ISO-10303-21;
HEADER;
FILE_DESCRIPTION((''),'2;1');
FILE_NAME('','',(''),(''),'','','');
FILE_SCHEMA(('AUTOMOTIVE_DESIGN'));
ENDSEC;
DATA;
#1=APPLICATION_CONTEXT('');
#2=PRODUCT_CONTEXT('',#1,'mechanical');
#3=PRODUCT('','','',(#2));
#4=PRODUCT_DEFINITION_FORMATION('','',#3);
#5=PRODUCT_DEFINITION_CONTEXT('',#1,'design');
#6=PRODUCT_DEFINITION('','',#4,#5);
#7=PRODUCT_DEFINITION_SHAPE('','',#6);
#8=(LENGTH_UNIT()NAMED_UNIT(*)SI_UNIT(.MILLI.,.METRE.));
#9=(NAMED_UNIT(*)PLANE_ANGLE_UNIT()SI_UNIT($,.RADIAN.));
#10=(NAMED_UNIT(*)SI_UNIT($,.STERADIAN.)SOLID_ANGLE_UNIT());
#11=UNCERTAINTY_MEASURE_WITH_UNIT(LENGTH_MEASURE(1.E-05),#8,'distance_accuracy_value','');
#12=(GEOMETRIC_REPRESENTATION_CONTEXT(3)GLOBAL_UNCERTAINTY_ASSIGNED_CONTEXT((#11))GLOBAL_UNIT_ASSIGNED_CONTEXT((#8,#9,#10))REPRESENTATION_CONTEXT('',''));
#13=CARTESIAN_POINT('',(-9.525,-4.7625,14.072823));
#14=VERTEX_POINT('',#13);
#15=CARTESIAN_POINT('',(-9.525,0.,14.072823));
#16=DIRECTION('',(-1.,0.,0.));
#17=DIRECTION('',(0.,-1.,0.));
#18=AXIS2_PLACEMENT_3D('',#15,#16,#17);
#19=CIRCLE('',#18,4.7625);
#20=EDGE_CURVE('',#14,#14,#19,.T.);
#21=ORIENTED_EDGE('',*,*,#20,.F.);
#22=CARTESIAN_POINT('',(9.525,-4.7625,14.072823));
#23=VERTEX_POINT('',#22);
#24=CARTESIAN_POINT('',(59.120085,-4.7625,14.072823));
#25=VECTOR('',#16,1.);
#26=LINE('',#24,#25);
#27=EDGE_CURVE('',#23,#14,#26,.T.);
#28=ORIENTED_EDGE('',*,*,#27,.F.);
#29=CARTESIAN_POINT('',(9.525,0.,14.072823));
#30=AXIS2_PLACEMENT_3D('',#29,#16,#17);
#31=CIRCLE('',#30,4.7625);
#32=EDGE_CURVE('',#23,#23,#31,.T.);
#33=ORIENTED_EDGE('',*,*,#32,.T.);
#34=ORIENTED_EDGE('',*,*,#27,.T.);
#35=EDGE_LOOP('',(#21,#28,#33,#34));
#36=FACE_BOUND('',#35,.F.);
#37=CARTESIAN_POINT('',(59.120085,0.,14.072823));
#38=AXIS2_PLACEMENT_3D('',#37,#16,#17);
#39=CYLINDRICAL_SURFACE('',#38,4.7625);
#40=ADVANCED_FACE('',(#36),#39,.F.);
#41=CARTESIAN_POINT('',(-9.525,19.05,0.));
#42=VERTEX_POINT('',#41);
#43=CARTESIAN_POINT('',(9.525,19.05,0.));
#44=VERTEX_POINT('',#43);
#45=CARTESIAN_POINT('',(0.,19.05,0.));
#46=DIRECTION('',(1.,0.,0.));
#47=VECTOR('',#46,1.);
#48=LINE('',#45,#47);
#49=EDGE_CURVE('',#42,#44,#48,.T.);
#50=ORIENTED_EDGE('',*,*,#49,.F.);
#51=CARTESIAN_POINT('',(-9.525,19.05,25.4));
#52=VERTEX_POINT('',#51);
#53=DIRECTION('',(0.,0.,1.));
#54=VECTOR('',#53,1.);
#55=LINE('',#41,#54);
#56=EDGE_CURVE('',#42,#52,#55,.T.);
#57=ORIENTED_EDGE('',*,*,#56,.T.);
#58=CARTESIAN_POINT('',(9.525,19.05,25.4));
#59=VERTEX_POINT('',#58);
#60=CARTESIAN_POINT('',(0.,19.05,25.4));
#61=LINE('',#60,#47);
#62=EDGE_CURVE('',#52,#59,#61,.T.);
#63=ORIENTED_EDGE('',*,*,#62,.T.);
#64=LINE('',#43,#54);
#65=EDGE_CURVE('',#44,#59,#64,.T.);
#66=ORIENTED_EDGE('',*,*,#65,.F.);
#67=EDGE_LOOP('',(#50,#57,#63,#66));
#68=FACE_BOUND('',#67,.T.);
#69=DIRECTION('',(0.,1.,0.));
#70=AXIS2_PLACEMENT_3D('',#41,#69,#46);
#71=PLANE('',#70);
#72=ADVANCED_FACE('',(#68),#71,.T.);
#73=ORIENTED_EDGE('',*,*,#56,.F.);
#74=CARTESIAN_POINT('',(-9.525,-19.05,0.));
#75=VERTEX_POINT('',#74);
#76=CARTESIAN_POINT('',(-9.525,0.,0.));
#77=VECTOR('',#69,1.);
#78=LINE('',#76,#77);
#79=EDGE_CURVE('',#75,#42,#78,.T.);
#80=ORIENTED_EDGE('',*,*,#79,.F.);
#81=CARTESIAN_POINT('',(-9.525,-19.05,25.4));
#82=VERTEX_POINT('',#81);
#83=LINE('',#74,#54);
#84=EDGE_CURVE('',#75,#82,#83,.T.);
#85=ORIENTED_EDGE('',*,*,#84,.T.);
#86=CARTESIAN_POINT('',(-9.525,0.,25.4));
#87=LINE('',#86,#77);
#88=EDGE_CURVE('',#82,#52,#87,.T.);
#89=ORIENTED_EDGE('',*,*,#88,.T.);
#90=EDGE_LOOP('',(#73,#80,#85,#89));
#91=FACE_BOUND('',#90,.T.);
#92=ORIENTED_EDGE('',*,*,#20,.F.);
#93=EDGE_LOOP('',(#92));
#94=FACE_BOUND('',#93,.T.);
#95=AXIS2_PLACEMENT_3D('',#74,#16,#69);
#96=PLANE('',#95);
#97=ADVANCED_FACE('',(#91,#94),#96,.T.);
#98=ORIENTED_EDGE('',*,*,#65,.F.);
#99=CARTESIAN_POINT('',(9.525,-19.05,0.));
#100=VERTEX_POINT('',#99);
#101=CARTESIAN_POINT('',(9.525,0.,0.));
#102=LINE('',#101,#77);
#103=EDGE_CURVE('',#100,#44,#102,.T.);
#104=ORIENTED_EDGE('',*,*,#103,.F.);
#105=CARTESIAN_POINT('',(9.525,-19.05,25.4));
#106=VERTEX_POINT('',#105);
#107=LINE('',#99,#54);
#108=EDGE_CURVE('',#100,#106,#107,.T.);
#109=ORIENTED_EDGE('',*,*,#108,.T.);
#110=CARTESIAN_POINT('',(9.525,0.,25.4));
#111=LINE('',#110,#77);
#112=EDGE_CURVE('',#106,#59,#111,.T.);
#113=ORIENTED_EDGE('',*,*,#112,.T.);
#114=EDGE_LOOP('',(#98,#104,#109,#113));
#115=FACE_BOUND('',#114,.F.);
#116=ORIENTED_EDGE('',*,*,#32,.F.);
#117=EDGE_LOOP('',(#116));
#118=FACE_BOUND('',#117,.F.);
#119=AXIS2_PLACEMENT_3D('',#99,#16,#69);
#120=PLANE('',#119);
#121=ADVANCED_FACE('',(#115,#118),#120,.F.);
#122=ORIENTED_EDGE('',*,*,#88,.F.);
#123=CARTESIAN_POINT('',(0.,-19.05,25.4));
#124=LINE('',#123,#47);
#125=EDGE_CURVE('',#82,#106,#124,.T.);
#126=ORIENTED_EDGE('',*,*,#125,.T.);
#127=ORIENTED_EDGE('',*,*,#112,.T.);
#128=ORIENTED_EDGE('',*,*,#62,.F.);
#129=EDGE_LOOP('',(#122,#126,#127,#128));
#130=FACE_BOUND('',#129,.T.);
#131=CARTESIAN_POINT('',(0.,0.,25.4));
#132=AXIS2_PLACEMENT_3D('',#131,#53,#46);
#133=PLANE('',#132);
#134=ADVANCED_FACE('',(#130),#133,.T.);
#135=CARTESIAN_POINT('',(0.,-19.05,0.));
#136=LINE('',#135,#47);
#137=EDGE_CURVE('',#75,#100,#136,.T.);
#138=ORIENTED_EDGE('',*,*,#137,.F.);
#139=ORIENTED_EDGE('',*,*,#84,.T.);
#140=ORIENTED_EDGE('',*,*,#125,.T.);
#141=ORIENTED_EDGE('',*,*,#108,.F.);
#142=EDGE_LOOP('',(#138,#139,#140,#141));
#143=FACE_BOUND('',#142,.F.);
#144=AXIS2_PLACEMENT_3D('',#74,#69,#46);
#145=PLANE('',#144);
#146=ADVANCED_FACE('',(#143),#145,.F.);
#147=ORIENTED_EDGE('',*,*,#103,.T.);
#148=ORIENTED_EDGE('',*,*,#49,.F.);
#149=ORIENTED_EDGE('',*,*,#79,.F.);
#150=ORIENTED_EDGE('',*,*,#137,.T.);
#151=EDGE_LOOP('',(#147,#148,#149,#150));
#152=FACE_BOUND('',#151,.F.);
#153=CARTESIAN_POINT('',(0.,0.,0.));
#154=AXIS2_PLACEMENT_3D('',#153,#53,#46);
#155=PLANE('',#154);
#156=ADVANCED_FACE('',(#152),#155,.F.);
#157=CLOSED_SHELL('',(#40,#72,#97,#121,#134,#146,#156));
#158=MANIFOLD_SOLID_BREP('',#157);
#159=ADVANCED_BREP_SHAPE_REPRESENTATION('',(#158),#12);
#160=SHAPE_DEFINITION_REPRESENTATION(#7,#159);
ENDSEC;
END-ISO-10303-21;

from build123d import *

# Parameters (mm, degrees)
F0_W     = 19.05
F0_H     = 38.1
F1_DEPTH = 25.4
F3_D     = 9.525


with BuildPart() as f1:
    # F0 (on Top) → F1 (new body)
    with BuildSketch(Plane.XY):
        Rectangle(F0_W, F0_H)
    extrude(amount=F1_DEPTH)

    # F3 (through all)
    with Locations(Plane.YZ.offset(9.525)):
        with Locations((0, 14.072823)):
            Hole(F3_D / 2)


solid = f1.part
